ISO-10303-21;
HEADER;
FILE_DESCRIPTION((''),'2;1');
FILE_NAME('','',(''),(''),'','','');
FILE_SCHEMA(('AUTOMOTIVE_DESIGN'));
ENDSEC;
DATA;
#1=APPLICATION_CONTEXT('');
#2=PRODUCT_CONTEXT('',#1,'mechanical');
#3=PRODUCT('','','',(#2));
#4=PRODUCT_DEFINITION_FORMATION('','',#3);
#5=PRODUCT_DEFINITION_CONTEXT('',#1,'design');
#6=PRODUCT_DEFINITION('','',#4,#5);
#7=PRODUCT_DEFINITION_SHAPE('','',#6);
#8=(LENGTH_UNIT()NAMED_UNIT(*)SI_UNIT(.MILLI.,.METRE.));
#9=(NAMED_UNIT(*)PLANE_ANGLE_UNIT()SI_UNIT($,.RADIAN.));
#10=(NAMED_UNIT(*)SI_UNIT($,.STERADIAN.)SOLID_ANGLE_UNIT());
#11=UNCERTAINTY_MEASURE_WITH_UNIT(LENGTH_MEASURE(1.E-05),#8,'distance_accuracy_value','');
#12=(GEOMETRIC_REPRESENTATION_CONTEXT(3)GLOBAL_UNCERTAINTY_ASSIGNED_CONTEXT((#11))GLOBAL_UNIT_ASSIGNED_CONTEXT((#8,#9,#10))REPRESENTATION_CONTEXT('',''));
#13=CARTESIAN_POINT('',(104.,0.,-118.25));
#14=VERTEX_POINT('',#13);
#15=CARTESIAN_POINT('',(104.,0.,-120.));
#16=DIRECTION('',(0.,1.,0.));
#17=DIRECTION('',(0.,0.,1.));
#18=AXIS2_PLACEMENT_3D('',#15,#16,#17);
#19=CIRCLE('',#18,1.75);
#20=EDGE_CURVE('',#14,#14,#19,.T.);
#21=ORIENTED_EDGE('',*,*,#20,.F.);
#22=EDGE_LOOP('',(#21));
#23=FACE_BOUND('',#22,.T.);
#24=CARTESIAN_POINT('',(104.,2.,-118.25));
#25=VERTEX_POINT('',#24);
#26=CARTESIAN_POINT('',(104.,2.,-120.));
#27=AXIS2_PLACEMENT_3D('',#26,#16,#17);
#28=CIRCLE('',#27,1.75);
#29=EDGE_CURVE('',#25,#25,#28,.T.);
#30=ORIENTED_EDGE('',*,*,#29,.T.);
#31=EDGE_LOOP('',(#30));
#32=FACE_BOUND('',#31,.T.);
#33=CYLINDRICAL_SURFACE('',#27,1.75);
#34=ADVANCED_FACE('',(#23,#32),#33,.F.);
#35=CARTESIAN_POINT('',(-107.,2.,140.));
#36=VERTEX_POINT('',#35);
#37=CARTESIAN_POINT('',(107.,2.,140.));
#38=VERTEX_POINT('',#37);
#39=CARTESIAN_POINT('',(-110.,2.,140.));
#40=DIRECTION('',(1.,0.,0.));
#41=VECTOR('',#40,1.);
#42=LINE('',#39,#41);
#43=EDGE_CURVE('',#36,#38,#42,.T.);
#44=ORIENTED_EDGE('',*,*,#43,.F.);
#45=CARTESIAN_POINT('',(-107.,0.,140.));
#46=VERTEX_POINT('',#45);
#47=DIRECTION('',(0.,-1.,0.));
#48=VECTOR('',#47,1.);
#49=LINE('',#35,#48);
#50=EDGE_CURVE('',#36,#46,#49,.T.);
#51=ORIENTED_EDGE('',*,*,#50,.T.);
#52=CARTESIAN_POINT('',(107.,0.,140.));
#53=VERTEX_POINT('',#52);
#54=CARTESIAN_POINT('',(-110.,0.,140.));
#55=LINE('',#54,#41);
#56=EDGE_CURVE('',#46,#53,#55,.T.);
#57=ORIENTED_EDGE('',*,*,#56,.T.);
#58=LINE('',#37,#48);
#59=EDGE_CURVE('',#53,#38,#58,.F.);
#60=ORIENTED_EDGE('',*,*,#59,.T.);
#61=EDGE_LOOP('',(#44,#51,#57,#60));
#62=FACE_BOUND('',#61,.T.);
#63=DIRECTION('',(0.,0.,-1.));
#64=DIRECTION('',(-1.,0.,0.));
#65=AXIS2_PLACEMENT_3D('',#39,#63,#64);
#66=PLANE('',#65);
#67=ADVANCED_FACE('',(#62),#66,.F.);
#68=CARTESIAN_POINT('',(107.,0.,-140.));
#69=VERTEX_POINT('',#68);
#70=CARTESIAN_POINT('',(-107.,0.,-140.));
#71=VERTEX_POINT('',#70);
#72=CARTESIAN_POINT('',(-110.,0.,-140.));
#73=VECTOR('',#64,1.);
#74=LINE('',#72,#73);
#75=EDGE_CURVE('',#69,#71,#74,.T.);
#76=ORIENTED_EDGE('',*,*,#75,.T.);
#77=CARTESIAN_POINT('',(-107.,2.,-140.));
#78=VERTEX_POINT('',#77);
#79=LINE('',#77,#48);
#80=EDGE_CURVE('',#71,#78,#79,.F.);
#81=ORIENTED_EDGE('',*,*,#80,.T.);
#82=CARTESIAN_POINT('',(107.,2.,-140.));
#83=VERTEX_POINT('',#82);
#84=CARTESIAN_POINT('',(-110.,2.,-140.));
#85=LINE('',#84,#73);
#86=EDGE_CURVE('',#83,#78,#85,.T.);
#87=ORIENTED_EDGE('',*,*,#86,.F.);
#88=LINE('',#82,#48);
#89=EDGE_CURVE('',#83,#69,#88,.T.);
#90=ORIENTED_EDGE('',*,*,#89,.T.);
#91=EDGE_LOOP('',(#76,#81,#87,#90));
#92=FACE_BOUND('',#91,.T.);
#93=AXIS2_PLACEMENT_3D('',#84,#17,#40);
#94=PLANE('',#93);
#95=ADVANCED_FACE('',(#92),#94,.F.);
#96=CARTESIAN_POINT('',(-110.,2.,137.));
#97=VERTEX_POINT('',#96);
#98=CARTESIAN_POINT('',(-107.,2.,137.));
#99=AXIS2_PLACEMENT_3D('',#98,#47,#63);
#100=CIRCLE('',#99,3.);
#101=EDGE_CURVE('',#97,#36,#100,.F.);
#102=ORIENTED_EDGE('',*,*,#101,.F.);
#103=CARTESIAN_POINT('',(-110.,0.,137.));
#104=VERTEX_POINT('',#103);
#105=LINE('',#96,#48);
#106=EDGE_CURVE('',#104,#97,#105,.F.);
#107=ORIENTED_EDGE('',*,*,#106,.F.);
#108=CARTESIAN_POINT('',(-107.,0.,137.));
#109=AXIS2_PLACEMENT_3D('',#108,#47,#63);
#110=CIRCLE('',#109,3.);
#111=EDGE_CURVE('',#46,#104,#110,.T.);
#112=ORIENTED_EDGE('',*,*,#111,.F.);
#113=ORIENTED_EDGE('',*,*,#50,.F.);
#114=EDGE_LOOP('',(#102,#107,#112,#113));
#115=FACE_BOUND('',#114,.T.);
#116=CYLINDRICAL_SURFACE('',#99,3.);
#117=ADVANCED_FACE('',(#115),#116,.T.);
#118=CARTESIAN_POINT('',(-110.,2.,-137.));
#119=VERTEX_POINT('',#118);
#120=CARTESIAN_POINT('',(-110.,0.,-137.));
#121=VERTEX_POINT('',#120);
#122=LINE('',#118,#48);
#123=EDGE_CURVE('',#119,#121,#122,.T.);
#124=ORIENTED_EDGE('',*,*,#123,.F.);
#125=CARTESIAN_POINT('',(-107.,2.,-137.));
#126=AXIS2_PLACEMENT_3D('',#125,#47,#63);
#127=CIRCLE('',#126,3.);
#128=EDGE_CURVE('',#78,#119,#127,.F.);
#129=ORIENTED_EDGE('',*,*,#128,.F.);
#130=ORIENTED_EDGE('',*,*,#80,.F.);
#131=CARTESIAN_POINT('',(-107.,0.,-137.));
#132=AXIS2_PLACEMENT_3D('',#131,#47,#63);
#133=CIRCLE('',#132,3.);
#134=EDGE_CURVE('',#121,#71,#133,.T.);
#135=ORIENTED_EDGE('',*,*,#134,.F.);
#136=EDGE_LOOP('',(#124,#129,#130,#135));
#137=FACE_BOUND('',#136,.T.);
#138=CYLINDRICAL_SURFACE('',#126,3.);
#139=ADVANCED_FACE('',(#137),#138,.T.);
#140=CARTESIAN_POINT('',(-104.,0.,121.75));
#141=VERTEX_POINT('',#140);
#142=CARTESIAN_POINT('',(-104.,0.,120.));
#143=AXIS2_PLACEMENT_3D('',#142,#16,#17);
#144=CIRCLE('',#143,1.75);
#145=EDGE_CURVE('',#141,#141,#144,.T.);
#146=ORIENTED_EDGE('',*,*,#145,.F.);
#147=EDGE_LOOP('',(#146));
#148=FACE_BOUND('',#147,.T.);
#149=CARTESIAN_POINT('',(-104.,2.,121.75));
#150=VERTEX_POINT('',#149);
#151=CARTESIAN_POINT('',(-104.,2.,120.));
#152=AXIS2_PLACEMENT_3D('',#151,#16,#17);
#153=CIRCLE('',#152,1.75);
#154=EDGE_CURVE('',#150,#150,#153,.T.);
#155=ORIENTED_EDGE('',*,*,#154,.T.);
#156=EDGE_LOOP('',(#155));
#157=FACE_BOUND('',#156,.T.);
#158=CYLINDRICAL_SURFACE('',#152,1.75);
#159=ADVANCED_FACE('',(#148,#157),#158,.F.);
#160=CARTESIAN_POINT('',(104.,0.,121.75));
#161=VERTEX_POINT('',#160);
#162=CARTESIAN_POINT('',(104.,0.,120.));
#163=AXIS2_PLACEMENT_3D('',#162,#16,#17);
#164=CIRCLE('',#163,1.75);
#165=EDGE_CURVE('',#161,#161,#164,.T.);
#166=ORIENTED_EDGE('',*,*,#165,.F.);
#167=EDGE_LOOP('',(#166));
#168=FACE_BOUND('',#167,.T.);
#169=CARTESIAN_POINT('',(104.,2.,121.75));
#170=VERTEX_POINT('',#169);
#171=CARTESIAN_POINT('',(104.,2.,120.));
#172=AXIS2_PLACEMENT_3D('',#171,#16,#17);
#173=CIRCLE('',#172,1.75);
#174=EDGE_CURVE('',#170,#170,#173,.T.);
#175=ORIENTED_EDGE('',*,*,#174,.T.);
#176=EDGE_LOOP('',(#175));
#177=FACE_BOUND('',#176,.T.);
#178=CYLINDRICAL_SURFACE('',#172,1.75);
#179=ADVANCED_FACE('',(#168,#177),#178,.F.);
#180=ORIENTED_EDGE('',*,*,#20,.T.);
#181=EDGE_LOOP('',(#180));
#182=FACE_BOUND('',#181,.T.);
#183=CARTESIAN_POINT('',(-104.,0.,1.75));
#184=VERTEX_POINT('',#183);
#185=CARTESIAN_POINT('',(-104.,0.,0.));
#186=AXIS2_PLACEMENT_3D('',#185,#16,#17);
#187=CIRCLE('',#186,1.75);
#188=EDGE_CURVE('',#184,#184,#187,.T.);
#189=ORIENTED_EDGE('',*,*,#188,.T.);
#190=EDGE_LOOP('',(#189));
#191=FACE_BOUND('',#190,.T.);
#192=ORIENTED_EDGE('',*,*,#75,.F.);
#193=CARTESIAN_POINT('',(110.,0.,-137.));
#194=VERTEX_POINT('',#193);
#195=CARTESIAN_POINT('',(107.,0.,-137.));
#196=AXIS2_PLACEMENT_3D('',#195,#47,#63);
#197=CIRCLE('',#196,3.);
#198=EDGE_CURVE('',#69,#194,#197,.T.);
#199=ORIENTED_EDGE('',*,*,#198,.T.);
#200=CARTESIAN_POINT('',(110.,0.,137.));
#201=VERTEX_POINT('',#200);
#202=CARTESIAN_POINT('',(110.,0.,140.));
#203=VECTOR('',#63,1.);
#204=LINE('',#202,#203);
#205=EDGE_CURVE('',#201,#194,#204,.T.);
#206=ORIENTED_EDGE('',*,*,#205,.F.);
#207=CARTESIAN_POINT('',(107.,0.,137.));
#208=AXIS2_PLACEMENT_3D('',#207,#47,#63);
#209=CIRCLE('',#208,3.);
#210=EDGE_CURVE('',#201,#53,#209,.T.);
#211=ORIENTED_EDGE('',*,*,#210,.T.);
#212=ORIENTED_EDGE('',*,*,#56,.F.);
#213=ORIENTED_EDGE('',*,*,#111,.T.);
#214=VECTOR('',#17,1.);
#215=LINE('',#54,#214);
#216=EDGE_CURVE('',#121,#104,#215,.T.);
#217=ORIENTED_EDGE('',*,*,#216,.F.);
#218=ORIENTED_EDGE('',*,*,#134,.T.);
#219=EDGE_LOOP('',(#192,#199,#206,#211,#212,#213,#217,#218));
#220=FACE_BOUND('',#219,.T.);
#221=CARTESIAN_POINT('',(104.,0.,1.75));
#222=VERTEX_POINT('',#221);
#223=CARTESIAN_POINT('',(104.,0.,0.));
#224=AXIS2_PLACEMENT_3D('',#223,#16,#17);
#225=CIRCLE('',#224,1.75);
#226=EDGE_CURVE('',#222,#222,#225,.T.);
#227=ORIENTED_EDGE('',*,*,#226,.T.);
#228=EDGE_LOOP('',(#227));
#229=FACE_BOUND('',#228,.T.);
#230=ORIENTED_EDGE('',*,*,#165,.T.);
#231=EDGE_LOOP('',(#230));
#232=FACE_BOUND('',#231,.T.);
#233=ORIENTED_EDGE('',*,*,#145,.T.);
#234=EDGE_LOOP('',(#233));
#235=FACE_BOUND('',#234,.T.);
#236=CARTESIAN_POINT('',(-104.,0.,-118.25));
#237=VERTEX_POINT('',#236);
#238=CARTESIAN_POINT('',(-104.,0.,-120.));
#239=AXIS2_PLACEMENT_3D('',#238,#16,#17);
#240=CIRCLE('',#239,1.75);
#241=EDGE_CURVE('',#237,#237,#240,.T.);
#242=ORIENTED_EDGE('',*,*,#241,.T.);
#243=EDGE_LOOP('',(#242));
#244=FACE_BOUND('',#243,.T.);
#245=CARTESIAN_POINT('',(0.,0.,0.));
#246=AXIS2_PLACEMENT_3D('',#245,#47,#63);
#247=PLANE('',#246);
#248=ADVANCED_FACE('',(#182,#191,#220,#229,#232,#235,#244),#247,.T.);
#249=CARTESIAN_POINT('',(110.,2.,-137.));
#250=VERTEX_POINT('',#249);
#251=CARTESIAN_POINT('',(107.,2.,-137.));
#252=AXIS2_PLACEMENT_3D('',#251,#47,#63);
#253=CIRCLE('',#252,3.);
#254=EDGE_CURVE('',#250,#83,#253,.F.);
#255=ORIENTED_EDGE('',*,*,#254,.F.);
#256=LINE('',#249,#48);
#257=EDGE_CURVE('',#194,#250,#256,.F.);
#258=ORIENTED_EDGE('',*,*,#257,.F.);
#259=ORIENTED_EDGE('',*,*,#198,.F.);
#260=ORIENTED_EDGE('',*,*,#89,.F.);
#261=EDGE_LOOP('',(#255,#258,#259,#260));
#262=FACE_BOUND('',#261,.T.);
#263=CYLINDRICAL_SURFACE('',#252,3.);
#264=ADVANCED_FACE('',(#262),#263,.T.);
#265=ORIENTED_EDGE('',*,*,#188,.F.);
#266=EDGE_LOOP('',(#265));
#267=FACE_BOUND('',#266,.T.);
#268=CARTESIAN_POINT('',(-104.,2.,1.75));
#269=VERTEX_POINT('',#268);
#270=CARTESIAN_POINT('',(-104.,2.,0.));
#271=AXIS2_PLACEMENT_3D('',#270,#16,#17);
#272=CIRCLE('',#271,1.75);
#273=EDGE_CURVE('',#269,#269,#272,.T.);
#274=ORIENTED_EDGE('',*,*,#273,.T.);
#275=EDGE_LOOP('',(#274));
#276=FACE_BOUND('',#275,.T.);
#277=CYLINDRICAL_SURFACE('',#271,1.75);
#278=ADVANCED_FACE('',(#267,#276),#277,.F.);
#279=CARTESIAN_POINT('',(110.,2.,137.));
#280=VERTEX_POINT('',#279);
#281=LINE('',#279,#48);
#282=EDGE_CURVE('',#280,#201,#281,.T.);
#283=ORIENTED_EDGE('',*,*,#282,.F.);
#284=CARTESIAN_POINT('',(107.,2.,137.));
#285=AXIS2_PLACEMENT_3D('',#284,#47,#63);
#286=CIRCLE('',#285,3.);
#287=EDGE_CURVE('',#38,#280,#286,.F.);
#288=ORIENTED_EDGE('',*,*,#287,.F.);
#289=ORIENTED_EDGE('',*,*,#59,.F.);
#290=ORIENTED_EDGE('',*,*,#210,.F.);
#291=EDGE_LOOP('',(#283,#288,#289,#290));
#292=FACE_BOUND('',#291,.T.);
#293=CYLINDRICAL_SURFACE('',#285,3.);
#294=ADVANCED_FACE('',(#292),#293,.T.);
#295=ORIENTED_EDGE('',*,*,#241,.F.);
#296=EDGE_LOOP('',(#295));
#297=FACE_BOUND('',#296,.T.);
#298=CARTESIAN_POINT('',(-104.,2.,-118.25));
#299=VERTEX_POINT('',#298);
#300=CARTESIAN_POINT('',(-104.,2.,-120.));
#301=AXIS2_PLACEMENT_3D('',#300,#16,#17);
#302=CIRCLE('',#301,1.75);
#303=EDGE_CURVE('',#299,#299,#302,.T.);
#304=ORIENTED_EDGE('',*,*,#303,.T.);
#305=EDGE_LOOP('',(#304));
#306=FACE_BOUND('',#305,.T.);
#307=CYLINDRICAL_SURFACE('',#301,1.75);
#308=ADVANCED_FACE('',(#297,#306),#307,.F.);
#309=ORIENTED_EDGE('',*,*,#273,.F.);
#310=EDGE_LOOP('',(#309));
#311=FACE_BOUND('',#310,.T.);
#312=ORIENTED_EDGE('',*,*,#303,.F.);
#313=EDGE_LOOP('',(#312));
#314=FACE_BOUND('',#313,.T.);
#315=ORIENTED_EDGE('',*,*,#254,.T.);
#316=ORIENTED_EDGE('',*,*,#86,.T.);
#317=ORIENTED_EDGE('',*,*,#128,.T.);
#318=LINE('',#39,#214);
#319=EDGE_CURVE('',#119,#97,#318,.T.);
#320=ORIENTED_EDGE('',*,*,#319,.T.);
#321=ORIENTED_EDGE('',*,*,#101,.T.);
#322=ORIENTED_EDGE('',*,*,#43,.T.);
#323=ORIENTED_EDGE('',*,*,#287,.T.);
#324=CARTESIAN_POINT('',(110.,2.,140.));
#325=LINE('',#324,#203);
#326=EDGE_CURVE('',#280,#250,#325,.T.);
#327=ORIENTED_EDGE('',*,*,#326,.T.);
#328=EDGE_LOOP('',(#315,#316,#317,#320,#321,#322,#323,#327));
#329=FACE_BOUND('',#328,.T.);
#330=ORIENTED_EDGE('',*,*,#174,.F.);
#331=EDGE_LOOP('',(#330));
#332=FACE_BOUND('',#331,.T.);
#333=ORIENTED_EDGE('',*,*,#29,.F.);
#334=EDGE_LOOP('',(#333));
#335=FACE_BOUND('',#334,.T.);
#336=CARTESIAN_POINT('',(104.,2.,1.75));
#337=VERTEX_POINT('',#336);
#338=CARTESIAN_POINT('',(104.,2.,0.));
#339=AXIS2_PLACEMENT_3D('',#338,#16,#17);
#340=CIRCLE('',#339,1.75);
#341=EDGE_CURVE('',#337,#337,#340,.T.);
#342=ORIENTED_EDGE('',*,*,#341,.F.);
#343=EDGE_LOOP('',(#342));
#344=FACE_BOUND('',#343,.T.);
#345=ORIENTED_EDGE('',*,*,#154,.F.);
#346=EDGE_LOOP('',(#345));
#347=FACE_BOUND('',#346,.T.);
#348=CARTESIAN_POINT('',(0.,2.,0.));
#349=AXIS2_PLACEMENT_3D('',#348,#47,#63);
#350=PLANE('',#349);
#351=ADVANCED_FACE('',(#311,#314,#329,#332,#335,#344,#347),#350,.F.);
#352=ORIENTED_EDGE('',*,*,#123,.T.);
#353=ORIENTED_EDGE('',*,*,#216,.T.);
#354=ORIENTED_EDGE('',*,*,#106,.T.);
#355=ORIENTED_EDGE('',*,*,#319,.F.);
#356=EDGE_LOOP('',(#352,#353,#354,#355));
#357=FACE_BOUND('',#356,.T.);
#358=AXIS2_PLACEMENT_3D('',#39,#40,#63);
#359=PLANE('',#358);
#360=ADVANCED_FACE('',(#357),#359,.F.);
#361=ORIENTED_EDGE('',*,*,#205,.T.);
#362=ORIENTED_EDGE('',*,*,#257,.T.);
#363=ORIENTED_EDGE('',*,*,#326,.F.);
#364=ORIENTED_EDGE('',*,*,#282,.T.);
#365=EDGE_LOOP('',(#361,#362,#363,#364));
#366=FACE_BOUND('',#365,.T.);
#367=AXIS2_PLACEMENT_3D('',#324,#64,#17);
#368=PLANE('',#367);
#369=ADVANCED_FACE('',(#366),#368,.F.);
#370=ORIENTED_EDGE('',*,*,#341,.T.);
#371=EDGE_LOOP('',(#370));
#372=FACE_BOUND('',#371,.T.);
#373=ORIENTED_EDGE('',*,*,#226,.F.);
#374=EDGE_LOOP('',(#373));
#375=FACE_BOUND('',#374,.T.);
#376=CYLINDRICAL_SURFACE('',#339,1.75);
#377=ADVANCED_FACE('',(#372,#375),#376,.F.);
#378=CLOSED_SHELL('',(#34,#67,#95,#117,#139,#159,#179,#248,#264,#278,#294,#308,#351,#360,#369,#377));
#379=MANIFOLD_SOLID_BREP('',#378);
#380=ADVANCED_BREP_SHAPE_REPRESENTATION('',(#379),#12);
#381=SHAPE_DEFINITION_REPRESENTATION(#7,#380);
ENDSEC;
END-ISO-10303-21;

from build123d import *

# Parameters (mm, degrees)
SKETCH1_W                  = 220
SKETCH1_H                  = 280
BOSS_EXTRUDE1_DEPTH        = 2
F_3_5_3_5_DIAMETER_HOLE1_D = 3.5
FILLET1_R                  = 3


with BuildPart() as part:
    # Sketch1 → Boss-Extrude1 (new body)
    with BuildSketch(Plane(origin=(0, 0, 0), x_dir=(1, 0, 0), z_dir=(0, 1, 0))):
        Rectangle(SKETCH1_W, SKETCH1_H)
    extrude(amount=BOSS_EXTRUDE1_DEPTH)

    # Ø3.5 (3.5) Diameter Hole1 (through all)
    with Locations(Plane(origin=(0, 2, 0), x_dir=(1, 0, 0), z_dir=(0, 1, 0))):
        with Locations((-104, -120), (104, -120), (104, 120), (-104, 120), (104, 0), (-104, 0)):
            Hole(F_3_5_3_5_DIAMETER_HOLE1_D / 2)

    # Fillet1
    fillet1_edges = [part.edges().sort_by_distance(p)[0] for p in [
        (110, 1, 140),
        (-110, 1, 140),
        (-110, 1, -140),
        (110, 1, -140),
    ]]
    fillet(fillet1_edges, radius=FILLET1_R)


solid = part.part
